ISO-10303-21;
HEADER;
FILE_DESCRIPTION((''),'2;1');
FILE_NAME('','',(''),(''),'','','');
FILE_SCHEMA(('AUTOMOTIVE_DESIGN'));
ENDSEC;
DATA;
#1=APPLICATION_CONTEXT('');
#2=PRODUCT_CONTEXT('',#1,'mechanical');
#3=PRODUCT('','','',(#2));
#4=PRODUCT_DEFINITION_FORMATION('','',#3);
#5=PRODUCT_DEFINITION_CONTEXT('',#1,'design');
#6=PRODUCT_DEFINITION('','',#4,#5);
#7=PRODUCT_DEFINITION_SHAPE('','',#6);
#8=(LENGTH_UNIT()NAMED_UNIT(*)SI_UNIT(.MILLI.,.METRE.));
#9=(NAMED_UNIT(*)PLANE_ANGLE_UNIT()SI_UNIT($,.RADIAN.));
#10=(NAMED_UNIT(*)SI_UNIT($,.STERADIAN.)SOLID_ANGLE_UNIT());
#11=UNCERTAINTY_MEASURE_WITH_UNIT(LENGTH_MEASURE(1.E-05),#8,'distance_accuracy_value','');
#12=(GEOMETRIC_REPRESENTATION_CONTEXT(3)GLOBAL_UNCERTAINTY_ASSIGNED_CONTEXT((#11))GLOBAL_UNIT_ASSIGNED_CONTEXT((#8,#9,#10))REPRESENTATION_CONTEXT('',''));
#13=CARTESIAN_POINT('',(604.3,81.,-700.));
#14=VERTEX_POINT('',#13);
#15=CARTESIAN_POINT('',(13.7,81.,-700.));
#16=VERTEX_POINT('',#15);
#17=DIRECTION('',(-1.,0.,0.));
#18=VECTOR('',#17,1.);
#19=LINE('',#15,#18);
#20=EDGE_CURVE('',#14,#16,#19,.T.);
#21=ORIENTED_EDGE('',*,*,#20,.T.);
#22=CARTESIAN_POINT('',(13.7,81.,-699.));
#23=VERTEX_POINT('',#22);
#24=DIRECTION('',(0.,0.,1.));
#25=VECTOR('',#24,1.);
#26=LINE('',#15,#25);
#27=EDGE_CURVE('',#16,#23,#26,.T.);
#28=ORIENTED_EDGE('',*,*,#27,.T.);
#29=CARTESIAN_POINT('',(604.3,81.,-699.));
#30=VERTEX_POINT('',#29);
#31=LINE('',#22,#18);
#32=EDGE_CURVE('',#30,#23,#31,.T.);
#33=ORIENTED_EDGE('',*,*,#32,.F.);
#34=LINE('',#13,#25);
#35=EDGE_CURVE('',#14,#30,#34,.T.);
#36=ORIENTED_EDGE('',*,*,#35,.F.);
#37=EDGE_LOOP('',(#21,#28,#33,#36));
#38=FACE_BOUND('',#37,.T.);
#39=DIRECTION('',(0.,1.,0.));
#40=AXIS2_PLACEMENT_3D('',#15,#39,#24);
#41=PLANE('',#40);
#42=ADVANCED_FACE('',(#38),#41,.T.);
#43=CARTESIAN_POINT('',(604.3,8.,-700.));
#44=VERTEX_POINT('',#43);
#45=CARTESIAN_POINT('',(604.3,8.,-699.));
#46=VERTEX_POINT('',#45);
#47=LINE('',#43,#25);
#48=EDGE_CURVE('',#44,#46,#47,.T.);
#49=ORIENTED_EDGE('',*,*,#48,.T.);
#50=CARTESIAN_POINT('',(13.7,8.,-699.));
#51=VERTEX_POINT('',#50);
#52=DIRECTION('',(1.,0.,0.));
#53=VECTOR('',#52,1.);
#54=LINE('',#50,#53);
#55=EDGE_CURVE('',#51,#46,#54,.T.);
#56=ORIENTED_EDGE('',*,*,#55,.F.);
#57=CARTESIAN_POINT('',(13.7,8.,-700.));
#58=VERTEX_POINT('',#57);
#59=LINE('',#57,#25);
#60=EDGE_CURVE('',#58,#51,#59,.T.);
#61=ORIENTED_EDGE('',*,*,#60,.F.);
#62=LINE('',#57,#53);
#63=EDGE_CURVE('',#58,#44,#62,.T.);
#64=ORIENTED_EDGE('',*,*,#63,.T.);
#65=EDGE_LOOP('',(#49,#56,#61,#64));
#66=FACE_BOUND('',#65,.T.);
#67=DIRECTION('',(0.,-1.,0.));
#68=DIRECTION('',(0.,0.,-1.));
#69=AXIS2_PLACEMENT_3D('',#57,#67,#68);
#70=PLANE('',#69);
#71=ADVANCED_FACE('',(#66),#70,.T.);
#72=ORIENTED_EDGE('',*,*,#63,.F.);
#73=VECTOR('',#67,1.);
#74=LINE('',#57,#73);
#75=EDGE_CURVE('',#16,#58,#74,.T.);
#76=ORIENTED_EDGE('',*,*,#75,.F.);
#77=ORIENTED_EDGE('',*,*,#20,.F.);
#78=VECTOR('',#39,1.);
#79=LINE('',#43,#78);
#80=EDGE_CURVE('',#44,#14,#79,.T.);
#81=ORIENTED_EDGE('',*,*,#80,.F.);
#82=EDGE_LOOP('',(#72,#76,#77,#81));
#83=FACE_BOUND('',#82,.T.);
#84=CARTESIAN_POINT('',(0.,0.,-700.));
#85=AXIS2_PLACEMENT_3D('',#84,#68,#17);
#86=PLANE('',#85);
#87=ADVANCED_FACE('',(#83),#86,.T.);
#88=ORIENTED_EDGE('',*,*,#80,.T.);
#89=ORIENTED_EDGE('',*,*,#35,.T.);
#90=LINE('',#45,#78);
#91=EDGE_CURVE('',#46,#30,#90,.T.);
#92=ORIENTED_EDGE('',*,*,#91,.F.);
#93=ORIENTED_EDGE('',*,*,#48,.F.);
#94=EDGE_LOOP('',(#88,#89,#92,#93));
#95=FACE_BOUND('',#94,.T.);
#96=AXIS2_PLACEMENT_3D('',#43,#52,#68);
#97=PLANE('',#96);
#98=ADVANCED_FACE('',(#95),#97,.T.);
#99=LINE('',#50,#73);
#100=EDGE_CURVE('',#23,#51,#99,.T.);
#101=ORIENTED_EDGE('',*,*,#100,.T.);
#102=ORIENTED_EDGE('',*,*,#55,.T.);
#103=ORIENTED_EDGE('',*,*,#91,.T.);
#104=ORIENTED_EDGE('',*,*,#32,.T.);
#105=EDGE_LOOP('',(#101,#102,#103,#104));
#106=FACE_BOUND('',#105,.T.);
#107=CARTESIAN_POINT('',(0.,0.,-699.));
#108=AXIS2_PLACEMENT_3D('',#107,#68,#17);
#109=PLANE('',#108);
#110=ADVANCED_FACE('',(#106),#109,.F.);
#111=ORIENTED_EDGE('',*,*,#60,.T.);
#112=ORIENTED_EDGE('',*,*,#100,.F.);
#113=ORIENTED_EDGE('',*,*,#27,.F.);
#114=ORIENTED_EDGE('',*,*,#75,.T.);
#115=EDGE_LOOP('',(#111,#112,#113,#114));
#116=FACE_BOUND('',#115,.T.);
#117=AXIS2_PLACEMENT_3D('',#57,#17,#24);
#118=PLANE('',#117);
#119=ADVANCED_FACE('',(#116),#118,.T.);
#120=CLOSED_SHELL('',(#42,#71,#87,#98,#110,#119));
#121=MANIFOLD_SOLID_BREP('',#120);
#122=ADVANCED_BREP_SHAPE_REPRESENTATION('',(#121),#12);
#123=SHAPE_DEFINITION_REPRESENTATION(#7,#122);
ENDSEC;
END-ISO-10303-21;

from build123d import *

# Parameters (mm, degrees)
CEK_TAZE_KUTU_ARKA_1_0_1_START = -699
SKETCH1_W                      = 590.6
SKETCH1_H                      = 73
CEK_TAZE_KUTU_ARKA_1_0_1_DEPTH = 1


with BuildPart() as part:
    # Sketch1 → CEK_taze_kutu_arka_1.0_1 (new body)
    with BuildSketch(Plane.XY.offset(CEK_TAZE_KUTU_ARKA_1_0_1_START)):
        with Locations((309, 44.5)):
            Rectangle(SKETCH1_W, SKETCH1_H)
    extrude(amount=-CEK_TAZE_KUTU_ARKA_1_0_1_DEPTH)


solid = part.part
